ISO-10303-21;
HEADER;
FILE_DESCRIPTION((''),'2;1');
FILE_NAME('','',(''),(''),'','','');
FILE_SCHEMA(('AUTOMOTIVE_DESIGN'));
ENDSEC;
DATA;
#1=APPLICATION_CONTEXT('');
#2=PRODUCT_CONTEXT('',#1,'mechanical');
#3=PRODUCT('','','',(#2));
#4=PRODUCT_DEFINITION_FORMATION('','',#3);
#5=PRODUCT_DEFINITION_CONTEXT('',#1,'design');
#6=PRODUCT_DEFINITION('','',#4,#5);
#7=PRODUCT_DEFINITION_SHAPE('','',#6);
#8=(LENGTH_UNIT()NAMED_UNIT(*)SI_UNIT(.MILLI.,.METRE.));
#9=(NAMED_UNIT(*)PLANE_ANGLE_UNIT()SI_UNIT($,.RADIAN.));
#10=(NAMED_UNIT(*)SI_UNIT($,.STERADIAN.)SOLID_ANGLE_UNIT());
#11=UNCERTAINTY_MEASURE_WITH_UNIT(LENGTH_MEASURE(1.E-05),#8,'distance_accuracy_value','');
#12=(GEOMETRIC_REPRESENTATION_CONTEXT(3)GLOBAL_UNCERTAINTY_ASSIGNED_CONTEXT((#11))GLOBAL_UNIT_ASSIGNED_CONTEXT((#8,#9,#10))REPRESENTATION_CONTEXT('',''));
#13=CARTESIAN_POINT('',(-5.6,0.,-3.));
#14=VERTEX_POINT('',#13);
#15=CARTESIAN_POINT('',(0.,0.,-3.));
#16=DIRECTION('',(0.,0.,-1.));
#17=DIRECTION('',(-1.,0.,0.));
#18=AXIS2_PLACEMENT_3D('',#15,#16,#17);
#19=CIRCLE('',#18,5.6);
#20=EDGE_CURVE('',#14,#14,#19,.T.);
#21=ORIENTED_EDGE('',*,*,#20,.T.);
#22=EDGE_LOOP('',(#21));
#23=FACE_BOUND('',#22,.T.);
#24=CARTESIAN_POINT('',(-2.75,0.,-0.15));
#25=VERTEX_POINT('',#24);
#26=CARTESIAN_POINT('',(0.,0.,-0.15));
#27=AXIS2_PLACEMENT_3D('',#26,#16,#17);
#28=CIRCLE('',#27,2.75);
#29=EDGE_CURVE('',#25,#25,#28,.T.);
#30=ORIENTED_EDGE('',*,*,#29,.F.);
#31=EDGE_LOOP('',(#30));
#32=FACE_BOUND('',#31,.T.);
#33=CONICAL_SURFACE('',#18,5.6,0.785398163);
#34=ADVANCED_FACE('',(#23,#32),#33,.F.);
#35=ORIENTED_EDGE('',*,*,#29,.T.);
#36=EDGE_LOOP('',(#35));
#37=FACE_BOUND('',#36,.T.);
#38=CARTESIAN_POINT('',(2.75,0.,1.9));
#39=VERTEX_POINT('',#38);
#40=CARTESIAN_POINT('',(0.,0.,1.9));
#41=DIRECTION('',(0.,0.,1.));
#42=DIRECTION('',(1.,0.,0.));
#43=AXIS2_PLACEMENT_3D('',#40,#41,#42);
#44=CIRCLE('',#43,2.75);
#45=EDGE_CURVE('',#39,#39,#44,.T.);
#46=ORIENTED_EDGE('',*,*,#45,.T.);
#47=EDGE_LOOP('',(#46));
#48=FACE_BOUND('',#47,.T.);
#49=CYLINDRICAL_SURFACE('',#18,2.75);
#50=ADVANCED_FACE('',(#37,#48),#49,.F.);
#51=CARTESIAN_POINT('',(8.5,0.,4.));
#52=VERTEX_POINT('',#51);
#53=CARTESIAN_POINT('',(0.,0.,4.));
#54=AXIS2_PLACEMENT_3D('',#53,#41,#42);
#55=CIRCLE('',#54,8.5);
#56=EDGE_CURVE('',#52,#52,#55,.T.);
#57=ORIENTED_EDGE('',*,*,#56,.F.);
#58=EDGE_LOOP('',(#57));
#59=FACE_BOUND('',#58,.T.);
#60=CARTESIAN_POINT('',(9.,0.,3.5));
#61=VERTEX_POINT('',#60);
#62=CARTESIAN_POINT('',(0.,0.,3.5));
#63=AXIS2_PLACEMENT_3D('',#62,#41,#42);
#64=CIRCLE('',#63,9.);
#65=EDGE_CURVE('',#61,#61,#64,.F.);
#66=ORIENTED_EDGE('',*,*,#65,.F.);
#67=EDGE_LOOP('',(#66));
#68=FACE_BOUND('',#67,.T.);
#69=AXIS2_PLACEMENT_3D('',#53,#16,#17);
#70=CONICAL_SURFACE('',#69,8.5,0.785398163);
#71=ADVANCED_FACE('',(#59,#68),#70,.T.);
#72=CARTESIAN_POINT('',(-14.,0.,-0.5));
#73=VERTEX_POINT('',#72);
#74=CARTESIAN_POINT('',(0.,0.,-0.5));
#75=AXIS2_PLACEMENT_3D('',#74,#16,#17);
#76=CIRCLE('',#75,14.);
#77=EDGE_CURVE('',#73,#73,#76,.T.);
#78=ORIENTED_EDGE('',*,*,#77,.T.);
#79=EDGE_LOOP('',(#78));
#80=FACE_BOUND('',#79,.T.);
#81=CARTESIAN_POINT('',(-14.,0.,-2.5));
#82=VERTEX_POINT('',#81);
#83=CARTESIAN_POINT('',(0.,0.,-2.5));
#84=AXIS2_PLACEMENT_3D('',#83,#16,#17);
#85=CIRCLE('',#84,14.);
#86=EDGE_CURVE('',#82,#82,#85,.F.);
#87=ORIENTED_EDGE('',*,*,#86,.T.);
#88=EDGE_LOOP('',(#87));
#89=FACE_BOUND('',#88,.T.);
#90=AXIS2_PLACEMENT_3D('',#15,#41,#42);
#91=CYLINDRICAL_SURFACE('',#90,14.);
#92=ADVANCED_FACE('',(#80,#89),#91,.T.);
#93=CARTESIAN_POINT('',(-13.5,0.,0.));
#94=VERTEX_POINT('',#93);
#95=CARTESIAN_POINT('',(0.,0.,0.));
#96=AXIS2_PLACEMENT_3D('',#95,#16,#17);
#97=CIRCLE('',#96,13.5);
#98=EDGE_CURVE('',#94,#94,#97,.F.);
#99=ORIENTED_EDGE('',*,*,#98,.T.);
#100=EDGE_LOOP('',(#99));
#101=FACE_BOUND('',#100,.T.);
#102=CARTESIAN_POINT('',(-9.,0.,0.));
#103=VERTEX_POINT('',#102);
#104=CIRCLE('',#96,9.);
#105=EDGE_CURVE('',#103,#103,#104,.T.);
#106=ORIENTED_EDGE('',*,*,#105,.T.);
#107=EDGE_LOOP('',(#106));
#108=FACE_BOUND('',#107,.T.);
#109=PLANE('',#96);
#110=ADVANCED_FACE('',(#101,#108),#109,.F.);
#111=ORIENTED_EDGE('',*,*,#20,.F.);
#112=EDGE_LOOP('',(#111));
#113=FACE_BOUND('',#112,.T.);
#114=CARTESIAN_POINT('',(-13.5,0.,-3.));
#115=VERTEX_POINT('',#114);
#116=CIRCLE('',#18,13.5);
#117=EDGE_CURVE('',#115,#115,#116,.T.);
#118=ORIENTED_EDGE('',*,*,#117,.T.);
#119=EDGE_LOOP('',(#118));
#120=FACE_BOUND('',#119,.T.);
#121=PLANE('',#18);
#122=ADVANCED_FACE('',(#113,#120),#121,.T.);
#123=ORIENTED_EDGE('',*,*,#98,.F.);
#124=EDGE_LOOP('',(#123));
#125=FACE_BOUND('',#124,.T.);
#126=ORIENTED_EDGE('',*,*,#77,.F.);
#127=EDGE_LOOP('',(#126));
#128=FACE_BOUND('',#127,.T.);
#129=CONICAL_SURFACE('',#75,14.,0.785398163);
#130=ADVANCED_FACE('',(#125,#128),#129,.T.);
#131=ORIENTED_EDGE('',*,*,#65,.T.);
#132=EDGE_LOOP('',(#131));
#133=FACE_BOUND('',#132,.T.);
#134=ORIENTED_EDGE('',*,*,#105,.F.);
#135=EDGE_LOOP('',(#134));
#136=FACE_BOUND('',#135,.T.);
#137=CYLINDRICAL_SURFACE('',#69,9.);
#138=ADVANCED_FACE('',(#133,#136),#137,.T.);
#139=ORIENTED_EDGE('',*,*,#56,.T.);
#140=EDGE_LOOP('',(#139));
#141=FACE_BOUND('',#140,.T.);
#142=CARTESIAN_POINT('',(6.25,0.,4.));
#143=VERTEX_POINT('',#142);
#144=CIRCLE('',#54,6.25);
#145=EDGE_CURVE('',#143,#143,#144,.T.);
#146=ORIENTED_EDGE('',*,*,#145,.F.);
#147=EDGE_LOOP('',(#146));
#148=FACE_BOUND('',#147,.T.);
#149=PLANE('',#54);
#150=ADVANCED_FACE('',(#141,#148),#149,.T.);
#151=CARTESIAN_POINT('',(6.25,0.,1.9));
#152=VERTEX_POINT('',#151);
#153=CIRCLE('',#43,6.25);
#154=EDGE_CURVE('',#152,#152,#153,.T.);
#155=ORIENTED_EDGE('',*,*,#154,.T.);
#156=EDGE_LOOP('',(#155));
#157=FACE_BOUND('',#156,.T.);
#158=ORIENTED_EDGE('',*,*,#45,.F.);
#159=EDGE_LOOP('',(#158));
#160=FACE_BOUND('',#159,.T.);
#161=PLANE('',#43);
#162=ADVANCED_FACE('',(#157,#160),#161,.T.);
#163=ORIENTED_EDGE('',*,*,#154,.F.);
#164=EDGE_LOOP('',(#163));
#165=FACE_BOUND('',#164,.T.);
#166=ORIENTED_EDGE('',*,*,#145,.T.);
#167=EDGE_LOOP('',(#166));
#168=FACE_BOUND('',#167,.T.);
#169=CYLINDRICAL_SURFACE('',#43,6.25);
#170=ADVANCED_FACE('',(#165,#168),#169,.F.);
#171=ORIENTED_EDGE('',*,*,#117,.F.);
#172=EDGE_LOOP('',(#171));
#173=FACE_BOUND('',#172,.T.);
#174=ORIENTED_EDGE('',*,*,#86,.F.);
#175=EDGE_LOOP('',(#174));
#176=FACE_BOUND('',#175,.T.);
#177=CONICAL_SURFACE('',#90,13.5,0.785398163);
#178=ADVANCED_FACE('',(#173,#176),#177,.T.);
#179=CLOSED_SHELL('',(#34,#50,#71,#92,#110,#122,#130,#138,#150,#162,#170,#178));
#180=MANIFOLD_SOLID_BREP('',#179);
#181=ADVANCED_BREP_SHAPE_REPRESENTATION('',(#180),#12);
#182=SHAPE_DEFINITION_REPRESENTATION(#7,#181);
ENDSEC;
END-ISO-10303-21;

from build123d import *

# Parameters (mm, degrees)
SKETCH_1_R                = 9
EXTRUDE_1_DEPTH           = 4
SKETCH_2_R                = 14
EXTRUDE_2_DEPTH           = 3
SKETCH_3_R                = 6.25
CUT_EXTRUDE_1_DEPTH       = 2.1
HOLE_WIZARD_1_D           = 5.5
HOLE_WIZARD_1_CSINK_D     = 11.2
HOLE_WIZARD_1_CSINK_ANGLE = 90
CHAMFER_1_SIZE            = 0.5


with BuildPart() as part:
    # 草图1 → 凸台-拉伸1 (new body)
    with BuildSketch(Plane.XY):
        Circle(SKETCH_1_R)
    extrude(amount=EXTRUDE_1_DEPTH)

    # 草图2 → 凸台-拉伸2 (add)
    with BuildSketch(Plane(origin=(0, 0, 0), x_dir=(-1, 0, 0), z_dir=(0, 0, -1))):
        Circle(SKETCH_2_R)
    extrude(amount=EXTRUDE_2_DEPTH)

    # 草图3 → 切除-拉伸1 (cut)
    with BuildSketch(Plane.XY.offset(4)):
        Circle(SKETCH_3_R)
    extrude(amount=-CUT_EXTRUDE_1_DEPTH, mode=Mode.SUBTRACT)

    # 打孔尺寸根据开槽半沉头木螺钉的类型1 (through all)
    with Locations(Plane(origin=(0, 0, -3), x_dir=(-1, 0, 0), z_dir=(0, 0, -1))):
        with Locations((0, 0)):
            CounterSinkHole(HOLE_WIZARD_1_D / 2, HOLE_WIZARD_1_CSINK_D / 2, counter_sink_angle=HOLE_WIZARD_1_CSINK_ANGLE)

    # 倒角1
    chamfer_1_edges = [part.edges().sort_by_distance(p)[0] for p in [
        (-9, 0, 4),
        (14, 0, 0),
        (14, 0, -3),
    ]]
    chamfer(chamfer_1_edges, length=CHAMFER_1_SIZE)


solid = part.part
